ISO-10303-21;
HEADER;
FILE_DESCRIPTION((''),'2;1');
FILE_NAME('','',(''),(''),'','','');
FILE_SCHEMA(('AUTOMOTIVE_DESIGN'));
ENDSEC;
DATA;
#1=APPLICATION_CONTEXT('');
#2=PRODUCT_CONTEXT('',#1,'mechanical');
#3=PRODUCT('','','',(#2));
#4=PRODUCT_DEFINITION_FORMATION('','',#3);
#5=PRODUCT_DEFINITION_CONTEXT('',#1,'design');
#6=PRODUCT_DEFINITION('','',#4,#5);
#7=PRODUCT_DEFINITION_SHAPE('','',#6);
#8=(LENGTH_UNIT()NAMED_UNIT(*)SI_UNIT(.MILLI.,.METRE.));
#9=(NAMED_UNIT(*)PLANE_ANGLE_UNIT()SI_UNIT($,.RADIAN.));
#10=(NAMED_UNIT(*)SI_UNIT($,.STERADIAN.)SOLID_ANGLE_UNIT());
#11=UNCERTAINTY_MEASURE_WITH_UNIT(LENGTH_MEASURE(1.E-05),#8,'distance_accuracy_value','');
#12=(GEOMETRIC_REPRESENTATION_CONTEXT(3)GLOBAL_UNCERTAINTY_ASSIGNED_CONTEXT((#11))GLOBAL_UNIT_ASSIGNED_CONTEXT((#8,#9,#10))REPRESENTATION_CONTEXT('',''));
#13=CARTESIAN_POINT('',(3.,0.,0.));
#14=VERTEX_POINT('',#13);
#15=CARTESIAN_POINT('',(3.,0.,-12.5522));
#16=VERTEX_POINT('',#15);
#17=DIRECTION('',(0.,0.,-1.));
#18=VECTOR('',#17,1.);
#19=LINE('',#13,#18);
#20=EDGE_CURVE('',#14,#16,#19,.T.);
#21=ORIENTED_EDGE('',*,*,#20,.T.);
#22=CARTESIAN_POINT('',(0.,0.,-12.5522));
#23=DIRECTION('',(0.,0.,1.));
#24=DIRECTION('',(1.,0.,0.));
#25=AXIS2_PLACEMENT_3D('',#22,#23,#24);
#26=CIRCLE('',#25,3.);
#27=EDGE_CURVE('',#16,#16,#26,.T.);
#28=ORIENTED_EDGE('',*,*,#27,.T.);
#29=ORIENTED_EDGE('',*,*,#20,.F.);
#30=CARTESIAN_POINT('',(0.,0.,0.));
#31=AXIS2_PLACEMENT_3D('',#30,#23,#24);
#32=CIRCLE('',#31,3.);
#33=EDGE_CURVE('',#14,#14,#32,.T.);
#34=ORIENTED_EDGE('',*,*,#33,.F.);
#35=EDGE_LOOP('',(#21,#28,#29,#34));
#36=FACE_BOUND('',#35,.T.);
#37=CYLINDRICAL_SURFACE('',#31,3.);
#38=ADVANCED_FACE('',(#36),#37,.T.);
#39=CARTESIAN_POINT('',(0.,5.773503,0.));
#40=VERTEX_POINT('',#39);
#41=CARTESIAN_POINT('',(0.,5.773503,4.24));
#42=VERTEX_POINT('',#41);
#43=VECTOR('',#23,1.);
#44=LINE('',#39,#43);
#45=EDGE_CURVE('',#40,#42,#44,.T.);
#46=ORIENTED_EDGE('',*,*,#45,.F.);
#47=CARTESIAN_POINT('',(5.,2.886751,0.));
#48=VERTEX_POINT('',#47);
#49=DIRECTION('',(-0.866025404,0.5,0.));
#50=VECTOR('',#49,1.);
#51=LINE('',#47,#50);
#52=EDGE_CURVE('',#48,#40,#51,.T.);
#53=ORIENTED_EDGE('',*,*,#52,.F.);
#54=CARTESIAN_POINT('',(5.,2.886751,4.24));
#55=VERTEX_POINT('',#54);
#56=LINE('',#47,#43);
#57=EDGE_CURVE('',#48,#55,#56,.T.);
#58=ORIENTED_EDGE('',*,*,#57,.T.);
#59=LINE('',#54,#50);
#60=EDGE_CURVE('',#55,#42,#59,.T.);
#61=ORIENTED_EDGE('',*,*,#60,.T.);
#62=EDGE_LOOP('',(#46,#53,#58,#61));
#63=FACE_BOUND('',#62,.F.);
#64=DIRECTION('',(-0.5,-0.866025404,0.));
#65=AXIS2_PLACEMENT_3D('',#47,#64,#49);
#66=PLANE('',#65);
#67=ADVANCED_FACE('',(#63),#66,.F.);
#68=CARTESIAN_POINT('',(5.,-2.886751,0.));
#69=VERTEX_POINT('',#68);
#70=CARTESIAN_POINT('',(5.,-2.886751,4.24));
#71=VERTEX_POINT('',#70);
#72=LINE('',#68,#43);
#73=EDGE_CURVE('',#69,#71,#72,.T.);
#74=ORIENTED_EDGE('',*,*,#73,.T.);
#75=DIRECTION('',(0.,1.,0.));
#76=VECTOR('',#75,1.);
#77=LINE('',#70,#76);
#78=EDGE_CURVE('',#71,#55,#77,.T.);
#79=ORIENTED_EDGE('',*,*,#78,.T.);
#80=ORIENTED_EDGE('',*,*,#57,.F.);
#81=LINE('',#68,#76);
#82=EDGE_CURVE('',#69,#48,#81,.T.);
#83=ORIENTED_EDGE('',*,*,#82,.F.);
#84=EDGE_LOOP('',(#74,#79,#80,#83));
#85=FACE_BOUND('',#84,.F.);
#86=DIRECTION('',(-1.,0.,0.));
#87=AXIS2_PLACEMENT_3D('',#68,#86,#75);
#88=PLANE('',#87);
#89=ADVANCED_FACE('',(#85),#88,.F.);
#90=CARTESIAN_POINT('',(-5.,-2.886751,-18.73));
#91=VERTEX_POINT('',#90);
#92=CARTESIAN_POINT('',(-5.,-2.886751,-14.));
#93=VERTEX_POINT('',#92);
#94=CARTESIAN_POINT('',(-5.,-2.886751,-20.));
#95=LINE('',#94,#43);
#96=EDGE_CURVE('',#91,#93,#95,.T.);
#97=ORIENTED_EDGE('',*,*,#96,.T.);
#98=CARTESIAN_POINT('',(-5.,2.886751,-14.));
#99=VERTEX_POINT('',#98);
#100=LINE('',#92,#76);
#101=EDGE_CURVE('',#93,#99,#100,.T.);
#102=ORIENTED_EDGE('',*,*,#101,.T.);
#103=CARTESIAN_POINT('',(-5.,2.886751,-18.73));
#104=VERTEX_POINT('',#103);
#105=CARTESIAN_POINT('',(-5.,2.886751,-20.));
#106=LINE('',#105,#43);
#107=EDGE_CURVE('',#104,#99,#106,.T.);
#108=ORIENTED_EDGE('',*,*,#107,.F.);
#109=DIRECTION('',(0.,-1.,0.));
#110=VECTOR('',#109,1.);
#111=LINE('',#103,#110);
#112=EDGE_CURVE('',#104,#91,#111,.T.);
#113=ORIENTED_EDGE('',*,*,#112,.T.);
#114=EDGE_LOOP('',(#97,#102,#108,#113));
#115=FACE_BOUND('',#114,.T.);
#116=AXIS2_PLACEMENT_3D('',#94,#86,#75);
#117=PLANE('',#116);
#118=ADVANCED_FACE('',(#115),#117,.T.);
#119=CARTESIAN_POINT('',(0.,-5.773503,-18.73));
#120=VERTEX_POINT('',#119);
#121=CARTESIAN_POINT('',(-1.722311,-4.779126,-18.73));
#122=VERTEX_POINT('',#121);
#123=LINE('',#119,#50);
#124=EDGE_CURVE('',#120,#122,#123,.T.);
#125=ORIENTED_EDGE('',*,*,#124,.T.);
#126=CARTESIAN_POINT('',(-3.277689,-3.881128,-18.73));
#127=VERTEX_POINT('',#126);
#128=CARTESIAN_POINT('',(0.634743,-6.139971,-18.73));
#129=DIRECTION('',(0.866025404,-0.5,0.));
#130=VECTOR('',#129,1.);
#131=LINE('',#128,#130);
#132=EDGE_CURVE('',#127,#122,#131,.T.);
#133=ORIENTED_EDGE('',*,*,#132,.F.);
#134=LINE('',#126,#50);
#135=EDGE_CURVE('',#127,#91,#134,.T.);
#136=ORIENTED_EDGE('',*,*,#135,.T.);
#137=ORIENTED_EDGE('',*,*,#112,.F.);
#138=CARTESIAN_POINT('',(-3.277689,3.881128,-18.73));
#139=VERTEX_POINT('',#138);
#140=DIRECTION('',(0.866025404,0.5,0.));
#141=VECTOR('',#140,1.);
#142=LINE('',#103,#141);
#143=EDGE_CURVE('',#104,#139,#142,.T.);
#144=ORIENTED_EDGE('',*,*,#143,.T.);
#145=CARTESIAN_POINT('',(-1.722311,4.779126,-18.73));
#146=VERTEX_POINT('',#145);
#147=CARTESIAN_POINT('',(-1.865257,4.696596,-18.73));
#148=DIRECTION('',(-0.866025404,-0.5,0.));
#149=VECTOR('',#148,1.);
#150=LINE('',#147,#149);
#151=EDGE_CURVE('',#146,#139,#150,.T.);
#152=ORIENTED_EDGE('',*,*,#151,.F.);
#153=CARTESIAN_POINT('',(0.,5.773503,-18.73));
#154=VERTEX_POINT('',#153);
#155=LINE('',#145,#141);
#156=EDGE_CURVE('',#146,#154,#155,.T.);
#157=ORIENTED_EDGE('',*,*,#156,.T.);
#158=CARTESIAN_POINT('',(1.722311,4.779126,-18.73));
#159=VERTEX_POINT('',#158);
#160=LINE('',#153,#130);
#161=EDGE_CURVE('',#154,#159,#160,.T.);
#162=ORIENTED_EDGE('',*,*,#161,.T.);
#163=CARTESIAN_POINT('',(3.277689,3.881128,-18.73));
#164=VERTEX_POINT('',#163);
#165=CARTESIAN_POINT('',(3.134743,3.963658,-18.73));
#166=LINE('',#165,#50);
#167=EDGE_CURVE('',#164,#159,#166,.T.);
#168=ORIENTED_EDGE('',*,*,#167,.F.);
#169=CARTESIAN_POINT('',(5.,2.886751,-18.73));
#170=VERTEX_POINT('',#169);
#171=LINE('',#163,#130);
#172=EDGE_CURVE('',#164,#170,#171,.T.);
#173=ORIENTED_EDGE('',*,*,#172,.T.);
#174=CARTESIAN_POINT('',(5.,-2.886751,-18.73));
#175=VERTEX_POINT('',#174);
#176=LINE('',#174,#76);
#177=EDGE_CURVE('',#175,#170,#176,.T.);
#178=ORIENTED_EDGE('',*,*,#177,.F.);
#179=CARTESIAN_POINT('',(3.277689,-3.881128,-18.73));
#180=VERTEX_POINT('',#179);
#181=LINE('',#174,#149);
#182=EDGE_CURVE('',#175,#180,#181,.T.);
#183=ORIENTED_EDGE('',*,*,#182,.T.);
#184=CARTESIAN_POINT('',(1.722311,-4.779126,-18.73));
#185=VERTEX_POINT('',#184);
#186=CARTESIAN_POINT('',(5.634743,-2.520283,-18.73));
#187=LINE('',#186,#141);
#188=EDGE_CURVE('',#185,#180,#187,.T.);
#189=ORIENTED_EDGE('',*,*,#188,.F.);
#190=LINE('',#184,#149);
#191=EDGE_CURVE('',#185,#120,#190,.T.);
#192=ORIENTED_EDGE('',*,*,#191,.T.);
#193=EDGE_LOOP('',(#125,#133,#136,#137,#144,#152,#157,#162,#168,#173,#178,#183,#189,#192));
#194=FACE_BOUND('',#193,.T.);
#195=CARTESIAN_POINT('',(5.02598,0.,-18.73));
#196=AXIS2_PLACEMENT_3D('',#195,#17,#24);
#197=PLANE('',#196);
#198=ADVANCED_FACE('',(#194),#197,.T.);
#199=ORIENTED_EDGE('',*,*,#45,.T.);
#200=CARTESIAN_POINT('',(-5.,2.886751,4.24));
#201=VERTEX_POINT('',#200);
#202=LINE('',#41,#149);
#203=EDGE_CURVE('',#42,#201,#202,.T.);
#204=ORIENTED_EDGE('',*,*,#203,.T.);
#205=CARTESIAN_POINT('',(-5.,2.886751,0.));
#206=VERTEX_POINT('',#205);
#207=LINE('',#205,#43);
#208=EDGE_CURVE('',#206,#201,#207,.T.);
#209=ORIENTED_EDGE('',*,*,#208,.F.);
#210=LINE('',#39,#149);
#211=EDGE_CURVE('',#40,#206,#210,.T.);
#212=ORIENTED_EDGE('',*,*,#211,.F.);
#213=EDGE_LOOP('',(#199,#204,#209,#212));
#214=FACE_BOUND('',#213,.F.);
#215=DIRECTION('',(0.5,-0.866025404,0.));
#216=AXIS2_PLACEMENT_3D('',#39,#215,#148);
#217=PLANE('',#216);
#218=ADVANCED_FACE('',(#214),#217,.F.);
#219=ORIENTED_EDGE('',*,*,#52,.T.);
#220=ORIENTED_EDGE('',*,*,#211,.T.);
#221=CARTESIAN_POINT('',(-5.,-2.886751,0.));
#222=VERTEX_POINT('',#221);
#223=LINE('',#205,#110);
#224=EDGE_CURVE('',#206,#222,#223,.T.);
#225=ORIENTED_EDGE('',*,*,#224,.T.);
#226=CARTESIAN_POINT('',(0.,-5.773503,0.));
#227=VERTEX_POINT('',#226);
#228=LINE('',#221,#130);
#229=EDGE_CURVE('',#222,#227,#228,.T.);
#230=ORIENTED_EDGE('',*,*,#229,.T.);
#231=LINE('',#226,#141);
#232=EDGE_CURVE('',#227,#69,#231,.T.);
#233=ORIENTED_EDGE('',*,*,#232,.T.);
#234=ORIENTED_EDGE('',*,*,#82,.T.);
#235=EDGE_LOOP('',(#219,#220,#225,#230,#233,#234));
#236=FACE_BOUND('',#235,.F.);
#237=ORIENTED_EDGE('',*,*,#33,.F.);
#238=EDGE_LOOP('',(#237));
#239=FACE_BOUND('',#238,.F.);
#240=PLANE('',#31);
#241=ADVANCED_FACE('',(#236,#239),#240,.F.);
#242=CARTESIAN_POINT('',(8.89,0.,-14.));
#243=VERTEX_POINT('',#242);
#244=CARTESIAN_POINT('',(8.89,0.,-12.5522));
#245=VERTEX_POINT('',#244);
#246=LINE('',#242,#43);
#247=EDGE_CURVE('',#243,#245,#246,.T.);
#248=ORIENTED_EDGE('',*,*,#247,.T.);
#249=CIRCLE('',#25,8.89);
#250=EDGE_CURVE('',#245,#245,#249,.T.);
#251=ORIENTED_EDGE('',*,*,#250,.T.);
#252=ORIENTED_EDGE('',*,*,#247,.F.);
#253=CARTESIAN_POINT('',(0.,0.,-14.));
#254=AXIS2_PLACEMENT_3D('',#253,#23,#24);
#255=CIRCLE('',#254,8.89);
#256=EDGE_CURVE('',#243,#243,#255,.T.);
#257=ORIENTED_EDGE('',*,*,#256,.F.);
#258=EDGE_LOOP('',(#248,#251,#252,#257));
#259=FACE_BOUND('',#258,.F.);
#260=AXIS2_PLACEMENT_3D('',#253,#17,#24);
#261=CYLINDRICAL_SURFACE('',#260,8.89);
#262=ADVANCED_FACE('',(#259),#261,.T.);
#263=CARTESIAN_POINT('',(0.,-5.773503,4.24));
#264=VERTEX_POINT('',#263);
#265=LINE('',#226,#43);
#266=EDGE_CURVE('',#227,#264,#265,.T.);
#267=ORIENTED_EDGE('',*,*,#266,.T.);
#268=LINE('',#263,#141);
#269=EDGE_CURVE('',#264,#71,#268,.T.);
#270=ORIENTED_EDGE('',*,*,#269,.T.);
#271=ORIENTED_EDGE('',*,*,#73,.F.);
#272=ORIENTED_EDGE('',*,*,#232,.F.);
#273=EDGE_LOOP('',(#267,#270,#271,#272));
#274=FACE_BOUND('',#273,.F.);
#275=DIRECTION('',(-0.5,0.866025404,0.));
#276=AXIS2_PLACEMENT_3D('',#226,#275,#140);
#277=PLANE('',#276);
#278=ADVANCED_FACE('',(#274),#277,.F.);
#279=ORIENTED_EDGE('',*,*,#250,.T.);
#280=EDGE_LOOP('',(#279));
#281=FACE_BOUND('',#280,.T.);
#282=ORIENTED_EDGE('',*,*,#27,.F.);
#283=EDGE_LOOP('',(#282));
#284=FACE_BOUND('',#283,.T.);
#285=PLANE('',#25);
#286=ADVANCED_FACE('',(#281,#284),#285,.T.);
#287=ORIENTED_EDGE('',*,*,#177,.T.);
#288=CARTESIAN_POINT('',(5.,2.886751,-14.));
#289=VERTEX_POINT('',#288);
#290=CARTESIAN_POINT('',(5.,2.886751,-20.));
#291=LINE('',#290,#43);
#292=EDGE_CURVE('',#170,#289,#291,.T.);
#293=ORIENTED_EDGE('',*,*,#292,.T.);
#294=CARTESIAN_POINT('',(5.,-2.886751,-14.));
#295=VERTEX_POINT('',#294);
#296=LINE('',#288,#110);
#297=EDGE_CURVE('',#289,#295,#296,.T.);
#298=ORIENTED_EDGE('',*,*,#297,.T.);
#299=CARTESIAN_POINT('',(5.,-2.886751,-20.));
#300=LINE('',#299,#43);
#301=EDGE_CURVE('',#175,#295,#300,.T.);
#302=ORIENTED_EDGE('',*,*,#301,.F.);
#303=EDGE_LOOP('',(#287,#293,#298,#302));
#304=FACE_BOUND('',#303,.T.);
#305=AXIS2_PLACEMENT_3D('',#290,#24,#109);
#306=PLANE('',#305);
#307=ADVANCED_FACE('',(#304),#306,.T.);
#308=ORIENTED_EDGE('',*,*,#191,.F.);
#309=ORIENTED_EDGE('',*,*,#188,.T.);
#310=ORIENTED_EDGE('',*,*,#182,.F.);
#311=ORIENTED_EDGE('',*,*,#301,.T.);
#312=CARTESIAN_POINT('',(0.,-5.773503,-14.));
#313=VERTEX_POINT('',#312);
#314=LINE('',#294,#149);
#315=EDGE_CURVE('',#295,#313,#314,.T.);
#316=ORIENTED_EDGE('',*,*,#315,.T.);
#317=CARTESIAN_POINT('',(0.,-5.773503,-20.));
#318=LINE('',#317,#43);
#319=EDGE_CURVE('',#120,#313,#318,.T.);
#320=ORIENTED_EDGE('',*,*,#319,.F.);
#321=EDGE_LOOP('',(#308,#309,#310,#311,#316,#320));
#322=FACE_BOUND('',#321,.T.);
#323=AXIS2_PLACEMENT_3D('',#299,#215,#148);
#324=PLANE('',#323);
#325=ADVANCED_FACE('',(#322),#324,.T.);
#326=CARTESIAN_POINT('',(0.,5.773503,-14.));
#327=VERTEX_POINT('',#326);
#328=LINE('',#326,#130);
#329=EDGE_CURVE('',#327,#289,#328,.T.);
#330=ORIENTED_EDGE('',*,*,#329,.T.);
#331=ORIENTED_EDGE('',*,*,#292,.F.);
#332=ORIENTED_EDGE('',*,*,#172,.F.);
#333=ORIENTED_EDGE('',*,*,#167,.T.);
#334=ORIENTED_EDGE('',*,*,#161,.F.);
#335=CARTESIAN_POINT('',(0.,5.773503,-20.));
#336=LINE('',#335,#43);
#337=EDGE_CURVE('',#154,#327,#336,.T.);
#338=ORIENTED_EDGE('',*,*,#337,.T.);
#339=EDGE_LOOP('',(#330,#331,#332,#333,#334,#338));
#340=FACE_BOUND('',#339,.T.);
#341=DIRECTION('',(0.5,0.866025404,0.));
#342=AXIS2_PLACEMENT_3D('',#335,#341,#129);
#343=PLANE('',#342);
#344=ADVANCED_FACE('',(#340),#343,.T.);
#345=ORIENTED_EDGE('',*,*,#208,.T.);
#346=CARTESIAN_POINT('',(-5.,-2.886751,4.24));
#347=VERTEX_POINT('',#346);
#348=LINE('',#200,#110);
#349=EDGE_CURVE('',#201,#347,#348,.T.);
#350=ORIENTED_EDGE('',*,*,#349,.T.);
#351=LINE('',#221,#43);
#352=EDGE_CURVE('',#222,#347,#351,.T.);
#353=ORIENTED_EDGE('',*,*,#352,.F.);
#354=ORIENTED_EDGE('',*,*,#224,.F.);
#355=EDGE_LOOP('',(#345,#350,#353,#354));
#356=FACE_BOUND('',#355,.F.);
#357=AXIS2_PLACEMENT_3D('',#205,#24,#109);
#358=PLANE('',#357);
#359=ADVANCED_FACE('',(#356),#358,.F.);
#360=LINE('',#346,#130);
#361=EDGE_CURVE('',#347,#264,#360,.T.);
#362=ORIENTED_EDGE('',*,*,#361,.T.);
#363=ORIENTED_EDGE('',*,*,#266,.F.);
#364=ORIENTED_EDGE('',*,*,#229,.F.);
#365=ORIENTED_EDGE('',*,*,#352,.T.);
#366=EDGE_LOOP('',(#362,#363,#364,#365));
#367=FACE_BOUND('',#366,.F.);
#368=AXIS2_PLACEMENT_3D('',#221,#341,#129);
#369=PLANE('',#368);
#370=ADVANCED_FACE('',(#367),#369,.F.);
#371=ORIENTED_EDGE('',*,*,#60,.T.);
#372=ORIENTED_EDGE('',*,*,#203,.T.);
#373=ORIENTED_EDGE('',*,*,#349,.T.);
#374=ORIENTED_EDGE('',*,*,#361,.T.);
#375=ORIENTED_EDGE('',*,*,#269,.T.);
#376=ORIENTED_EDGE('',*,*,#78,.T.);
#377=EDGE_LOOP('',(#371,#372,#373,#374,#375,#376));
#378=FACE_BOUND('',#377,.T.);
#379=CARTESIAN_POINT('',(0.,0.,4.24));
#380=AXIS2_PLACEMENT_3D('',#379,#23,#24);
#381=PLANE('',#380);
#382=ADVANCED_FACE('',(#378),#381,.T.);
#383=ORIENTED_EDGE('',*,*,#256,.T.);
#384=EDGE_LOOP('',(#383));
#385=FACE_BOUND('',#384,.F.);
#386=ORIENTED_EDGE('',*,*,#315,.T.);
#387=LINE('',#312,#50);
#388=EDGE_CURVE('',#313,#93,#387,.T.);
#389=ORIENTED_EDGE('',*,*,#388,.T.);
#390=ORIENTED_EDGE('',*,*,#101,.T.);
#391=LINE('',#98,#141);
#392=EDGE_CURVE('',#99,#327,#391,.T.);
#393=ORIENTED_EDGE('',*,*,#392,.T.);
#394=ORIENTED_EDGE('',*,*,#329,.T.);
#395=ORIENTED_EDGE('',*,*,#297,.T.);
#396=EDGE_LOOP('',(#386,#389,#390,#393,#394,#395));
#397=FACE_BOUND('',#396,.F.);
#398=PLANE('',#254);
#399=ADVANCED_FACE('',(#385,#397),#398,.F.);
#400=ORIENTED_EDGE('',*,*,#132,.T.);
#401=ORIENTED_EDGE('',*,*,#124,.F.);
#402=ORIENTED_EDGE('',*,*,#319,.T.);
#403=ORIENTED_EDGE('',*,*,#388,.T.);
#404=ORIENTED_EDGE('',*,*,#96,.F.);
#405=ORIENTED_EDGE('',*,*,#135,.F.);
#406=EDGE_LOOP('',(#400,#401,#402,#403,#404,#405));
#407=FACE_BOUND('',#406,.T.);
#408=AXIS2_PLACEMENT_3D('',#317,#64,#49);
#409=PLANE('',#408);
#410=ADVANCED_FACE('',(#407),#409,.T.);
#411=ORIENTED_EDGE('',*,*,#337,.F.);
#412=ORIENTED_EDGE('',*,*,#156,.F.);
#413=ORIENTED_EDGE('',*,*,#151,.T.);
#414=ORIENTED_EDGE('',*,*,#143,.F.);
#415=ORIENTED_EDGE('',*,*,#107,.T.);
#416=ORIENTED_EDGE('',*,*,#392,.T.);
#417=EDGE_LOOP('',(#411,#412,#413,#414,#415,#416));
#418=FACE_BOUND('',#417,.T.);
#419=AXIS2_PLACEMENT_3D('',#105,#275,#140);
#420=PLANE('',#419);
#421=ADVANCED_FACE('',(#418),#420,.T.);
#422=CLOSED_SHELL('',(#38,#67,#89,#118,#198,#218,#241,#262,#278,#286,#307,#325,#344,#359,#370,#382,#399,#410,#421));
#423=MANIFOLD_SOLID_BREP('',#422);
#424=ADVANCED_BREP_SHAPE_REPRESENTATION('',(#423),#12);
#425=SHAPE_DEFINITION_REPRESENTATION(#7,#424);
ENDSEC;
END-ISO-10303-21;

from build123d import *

# Parameters (mm, degrees)
F0_R     = 3
F1_DEPTH = 20
F3_DEPTH = 4.24
F5_DEPTH = 6
F6_R     = 8.89
F7_DEPTH = 1.4478
F9_DEPTH = 1.27


with BuildPart() as f1:
    # F0 (on Top) → F1 (new body)
    with BuildSketch(Plane.XY):
        Circle(F0_R)
    extrude(amount=-F1_DEPTH)

    # F2 (on face) → F3 (join)
    with BuildSketch(Plane.XY):
        Polygon((5, 2.8867513459), (0, 5.7735026919), (-5, 2.8867513459), (-5, -2.8867513459), (0, -5.7735026919), (5, -2.8867513459), align=None)
    extrude(amount=F3_DEPTH)

    # F4 (on face) → F5 (join)
    with BuildSketch(Plane(origin=(0, 0, -20), x_dir=(1, 0, 0), z_dir=(0, 0, -1))):
        Polygon((5, 2.8867513459), (0, 5.7735026919), (-5, 2.8867513459), (-5, -2.8867513459), (0, -5.7735026919), (5, -2.8867513459), align=None)
    extrude(amount=-F5_DEPTH)

    # F6 (on face) → F7 (join)
    with BuildSketch(Plane.XY.offset(-14)):
        Circle(F6_R)
    extrude(amount=F7_DEPTH)

    # F8 (on face) → F9 (cut)
    with BuildSketch(Plane(origin=(0, 0, -20), x_dir=(1, 0, 0), z_dir=(0, 0, -1))):
        with BuildLine():
            ThreePointArc((5, -0.8979977728), (5.0599604742, -0.4507771068), (5.08, 0))
            ThreePointArc((5.08, 0), (5.0599604742, 0.4507771068), (5, 0.8979977728))
            Line((5, 0.8979977728), (5, -0.8979977728))
        make_face()
        with BuildLine():
            Line((5, -0.8979977728), (5, 0.8979977728))
            ThreePointArc((5, 0.8979977728), (4.3994090512, 2.54), (3.2776888838, 3.8811281325))
            Line((3.2776888838, 3.8811281325), (1.7223111162, 4.7791259053))
            ThreePointArc((1.7223111162, 4.7791259053), (0, 5.08), (-1.7223111162, 4.7791259053))
            Line((-1.7223111162, 4.7791259053), (-3.2776888838, 3.8811281325))
            ThreePointArc((-3.2776888838, 3.8811281325), (-4.3994090512, 2.54), (-5, 0.8979977728))
            Line((-5, 0.8979977728), (-5, -0.8979977728))
            ThreePointArc((-5, -0.8979977728), (-4.3994090512, -2.54), (-3.2776888838, -3.8811281325))
            Line((-3.2776888838, -3.8811281325), (-1.7223111162, -4.7791259053))
            ThreePointArc((-1.7223111162, -4.7791259053), (0, -5.08), (1.7223111162, -4.7791259053))
            Line((1.7223111162, -4.7791259053), (3.2776888838, -3.8811281325))
            ThreePointArc((3.2776888838, -3.8811281325), (4.3994090512, -2.54), (5, -0.8979977728))
        make_face()
        with BuildLine():
            ThreePointArc((3.2776888838, 3.8811281325), (4.3994090512, 2.54), (5, 0.8979977728))
            Line((5, 0.8979977728), (5, 2.8867513459))
            Line((5, 2.8867513459), (3.2776888838, 3.8811281325))
        make_face()
        with BuildLine():
            Line((5, -2.8867513459), (5, -0.8979977728))
            ThreePointArc((5, -0.8979977728), (4.3994090512, -2.54), (3.2776888838, -3.8811281325))
            Line((3.2776888838, -3.8811281325), (5, -2.8867513459))
        make_face()
        with BuildLine():
            Line((1.7223111162, 4.7791259053), (3.2776888838, 3.8811281325))
            ThreePointArc((3.2776888838, 3.8811281325), (2.54, 4.3994090512), (1.7223111162, 4.7791259053))
        make_face()
        with BuildLine():
            ThreePointArc((1.7223111162, -4.7791259053), (2.54, -4.3994090512), (3.2776888838, -3.8811281325))
            Line((3.2776888838, -3.8811281325), (1.7223111162, -4.7791259053))
        make_face()
        with BuildLine():
            ThreePointArc((-1.7223111162, 4.7791259053), (0, 5.08), (1.7223111162, 4.7791259053))
            Line((1.7223111162, 4.7791259053), (0, 5.7735026919))
            Line((0, 5.7735026919), (-1.7223111162, 4.7791259053))
        make_face()
        with BuildLine():
            Line((0, -5.7735026919), (1.7223111162, -4.7791259053))
            ThreePointArc((1.7223111162, -4.7791259053), (0, -5.08), (-1.7223111162, -4.7791259053))
            Line((-1.7223111162, -4.7791259053), (0, -5.7735026919))
        make_face()
        with BuildLine():
            Line((-3.2776888838, 3.8811281325), (-1.7223111162, 4.7791259053))
            ThreePointArc((-1.7223111162, 4.7791259053), (-2.54, 4.3994090512), (-3.2776888838, 3.8811281325))
        make_face()
        with BuildLine():
            ThreePointArc((-3.2776888838, -3.8811281325), (-2.54, -4.3994090512), (-1.7223111162, -4.7791259053))
            Line((-1.7223111162, -4.7791259053), (-3.2776888838, -3.8811281325))
        make_face()
        with BuildLine():
            ThreePointArc((-5, 0.8979977728), (-4.3994090512, 2.54), (-3.2776888838, 3.8811281325))
            Line((-3.2776888838, 3.8811281325), (-5, 2.8867513459))
            Line((-5, 2.8867513459), (-5, 0.8979977728))
        make_face()
        with BuildLine():
            Line((-5, -2.8867513459), (-3.2776888838, -3.8811281325))
            ThreePointArc((-3.2776888838, -3.8811281325), (-4.3994090512, -2.54), (-5, -0.8979977728))
            Line((-5, -0.8979977728), (-5, -2.8867513459))
        make_face()
        with BuildLine():
            Line((-5, -0.8979977728), (-5, 0.8979977728))
            ThreePointArc((-5, 0.8979977728), (-5.08, 0), (-5, -0.8979977728))
        make_face()
    extrude(amount=-F9_DEPTH, mode=Mode.SUBTRACT)


solid = f1.part
